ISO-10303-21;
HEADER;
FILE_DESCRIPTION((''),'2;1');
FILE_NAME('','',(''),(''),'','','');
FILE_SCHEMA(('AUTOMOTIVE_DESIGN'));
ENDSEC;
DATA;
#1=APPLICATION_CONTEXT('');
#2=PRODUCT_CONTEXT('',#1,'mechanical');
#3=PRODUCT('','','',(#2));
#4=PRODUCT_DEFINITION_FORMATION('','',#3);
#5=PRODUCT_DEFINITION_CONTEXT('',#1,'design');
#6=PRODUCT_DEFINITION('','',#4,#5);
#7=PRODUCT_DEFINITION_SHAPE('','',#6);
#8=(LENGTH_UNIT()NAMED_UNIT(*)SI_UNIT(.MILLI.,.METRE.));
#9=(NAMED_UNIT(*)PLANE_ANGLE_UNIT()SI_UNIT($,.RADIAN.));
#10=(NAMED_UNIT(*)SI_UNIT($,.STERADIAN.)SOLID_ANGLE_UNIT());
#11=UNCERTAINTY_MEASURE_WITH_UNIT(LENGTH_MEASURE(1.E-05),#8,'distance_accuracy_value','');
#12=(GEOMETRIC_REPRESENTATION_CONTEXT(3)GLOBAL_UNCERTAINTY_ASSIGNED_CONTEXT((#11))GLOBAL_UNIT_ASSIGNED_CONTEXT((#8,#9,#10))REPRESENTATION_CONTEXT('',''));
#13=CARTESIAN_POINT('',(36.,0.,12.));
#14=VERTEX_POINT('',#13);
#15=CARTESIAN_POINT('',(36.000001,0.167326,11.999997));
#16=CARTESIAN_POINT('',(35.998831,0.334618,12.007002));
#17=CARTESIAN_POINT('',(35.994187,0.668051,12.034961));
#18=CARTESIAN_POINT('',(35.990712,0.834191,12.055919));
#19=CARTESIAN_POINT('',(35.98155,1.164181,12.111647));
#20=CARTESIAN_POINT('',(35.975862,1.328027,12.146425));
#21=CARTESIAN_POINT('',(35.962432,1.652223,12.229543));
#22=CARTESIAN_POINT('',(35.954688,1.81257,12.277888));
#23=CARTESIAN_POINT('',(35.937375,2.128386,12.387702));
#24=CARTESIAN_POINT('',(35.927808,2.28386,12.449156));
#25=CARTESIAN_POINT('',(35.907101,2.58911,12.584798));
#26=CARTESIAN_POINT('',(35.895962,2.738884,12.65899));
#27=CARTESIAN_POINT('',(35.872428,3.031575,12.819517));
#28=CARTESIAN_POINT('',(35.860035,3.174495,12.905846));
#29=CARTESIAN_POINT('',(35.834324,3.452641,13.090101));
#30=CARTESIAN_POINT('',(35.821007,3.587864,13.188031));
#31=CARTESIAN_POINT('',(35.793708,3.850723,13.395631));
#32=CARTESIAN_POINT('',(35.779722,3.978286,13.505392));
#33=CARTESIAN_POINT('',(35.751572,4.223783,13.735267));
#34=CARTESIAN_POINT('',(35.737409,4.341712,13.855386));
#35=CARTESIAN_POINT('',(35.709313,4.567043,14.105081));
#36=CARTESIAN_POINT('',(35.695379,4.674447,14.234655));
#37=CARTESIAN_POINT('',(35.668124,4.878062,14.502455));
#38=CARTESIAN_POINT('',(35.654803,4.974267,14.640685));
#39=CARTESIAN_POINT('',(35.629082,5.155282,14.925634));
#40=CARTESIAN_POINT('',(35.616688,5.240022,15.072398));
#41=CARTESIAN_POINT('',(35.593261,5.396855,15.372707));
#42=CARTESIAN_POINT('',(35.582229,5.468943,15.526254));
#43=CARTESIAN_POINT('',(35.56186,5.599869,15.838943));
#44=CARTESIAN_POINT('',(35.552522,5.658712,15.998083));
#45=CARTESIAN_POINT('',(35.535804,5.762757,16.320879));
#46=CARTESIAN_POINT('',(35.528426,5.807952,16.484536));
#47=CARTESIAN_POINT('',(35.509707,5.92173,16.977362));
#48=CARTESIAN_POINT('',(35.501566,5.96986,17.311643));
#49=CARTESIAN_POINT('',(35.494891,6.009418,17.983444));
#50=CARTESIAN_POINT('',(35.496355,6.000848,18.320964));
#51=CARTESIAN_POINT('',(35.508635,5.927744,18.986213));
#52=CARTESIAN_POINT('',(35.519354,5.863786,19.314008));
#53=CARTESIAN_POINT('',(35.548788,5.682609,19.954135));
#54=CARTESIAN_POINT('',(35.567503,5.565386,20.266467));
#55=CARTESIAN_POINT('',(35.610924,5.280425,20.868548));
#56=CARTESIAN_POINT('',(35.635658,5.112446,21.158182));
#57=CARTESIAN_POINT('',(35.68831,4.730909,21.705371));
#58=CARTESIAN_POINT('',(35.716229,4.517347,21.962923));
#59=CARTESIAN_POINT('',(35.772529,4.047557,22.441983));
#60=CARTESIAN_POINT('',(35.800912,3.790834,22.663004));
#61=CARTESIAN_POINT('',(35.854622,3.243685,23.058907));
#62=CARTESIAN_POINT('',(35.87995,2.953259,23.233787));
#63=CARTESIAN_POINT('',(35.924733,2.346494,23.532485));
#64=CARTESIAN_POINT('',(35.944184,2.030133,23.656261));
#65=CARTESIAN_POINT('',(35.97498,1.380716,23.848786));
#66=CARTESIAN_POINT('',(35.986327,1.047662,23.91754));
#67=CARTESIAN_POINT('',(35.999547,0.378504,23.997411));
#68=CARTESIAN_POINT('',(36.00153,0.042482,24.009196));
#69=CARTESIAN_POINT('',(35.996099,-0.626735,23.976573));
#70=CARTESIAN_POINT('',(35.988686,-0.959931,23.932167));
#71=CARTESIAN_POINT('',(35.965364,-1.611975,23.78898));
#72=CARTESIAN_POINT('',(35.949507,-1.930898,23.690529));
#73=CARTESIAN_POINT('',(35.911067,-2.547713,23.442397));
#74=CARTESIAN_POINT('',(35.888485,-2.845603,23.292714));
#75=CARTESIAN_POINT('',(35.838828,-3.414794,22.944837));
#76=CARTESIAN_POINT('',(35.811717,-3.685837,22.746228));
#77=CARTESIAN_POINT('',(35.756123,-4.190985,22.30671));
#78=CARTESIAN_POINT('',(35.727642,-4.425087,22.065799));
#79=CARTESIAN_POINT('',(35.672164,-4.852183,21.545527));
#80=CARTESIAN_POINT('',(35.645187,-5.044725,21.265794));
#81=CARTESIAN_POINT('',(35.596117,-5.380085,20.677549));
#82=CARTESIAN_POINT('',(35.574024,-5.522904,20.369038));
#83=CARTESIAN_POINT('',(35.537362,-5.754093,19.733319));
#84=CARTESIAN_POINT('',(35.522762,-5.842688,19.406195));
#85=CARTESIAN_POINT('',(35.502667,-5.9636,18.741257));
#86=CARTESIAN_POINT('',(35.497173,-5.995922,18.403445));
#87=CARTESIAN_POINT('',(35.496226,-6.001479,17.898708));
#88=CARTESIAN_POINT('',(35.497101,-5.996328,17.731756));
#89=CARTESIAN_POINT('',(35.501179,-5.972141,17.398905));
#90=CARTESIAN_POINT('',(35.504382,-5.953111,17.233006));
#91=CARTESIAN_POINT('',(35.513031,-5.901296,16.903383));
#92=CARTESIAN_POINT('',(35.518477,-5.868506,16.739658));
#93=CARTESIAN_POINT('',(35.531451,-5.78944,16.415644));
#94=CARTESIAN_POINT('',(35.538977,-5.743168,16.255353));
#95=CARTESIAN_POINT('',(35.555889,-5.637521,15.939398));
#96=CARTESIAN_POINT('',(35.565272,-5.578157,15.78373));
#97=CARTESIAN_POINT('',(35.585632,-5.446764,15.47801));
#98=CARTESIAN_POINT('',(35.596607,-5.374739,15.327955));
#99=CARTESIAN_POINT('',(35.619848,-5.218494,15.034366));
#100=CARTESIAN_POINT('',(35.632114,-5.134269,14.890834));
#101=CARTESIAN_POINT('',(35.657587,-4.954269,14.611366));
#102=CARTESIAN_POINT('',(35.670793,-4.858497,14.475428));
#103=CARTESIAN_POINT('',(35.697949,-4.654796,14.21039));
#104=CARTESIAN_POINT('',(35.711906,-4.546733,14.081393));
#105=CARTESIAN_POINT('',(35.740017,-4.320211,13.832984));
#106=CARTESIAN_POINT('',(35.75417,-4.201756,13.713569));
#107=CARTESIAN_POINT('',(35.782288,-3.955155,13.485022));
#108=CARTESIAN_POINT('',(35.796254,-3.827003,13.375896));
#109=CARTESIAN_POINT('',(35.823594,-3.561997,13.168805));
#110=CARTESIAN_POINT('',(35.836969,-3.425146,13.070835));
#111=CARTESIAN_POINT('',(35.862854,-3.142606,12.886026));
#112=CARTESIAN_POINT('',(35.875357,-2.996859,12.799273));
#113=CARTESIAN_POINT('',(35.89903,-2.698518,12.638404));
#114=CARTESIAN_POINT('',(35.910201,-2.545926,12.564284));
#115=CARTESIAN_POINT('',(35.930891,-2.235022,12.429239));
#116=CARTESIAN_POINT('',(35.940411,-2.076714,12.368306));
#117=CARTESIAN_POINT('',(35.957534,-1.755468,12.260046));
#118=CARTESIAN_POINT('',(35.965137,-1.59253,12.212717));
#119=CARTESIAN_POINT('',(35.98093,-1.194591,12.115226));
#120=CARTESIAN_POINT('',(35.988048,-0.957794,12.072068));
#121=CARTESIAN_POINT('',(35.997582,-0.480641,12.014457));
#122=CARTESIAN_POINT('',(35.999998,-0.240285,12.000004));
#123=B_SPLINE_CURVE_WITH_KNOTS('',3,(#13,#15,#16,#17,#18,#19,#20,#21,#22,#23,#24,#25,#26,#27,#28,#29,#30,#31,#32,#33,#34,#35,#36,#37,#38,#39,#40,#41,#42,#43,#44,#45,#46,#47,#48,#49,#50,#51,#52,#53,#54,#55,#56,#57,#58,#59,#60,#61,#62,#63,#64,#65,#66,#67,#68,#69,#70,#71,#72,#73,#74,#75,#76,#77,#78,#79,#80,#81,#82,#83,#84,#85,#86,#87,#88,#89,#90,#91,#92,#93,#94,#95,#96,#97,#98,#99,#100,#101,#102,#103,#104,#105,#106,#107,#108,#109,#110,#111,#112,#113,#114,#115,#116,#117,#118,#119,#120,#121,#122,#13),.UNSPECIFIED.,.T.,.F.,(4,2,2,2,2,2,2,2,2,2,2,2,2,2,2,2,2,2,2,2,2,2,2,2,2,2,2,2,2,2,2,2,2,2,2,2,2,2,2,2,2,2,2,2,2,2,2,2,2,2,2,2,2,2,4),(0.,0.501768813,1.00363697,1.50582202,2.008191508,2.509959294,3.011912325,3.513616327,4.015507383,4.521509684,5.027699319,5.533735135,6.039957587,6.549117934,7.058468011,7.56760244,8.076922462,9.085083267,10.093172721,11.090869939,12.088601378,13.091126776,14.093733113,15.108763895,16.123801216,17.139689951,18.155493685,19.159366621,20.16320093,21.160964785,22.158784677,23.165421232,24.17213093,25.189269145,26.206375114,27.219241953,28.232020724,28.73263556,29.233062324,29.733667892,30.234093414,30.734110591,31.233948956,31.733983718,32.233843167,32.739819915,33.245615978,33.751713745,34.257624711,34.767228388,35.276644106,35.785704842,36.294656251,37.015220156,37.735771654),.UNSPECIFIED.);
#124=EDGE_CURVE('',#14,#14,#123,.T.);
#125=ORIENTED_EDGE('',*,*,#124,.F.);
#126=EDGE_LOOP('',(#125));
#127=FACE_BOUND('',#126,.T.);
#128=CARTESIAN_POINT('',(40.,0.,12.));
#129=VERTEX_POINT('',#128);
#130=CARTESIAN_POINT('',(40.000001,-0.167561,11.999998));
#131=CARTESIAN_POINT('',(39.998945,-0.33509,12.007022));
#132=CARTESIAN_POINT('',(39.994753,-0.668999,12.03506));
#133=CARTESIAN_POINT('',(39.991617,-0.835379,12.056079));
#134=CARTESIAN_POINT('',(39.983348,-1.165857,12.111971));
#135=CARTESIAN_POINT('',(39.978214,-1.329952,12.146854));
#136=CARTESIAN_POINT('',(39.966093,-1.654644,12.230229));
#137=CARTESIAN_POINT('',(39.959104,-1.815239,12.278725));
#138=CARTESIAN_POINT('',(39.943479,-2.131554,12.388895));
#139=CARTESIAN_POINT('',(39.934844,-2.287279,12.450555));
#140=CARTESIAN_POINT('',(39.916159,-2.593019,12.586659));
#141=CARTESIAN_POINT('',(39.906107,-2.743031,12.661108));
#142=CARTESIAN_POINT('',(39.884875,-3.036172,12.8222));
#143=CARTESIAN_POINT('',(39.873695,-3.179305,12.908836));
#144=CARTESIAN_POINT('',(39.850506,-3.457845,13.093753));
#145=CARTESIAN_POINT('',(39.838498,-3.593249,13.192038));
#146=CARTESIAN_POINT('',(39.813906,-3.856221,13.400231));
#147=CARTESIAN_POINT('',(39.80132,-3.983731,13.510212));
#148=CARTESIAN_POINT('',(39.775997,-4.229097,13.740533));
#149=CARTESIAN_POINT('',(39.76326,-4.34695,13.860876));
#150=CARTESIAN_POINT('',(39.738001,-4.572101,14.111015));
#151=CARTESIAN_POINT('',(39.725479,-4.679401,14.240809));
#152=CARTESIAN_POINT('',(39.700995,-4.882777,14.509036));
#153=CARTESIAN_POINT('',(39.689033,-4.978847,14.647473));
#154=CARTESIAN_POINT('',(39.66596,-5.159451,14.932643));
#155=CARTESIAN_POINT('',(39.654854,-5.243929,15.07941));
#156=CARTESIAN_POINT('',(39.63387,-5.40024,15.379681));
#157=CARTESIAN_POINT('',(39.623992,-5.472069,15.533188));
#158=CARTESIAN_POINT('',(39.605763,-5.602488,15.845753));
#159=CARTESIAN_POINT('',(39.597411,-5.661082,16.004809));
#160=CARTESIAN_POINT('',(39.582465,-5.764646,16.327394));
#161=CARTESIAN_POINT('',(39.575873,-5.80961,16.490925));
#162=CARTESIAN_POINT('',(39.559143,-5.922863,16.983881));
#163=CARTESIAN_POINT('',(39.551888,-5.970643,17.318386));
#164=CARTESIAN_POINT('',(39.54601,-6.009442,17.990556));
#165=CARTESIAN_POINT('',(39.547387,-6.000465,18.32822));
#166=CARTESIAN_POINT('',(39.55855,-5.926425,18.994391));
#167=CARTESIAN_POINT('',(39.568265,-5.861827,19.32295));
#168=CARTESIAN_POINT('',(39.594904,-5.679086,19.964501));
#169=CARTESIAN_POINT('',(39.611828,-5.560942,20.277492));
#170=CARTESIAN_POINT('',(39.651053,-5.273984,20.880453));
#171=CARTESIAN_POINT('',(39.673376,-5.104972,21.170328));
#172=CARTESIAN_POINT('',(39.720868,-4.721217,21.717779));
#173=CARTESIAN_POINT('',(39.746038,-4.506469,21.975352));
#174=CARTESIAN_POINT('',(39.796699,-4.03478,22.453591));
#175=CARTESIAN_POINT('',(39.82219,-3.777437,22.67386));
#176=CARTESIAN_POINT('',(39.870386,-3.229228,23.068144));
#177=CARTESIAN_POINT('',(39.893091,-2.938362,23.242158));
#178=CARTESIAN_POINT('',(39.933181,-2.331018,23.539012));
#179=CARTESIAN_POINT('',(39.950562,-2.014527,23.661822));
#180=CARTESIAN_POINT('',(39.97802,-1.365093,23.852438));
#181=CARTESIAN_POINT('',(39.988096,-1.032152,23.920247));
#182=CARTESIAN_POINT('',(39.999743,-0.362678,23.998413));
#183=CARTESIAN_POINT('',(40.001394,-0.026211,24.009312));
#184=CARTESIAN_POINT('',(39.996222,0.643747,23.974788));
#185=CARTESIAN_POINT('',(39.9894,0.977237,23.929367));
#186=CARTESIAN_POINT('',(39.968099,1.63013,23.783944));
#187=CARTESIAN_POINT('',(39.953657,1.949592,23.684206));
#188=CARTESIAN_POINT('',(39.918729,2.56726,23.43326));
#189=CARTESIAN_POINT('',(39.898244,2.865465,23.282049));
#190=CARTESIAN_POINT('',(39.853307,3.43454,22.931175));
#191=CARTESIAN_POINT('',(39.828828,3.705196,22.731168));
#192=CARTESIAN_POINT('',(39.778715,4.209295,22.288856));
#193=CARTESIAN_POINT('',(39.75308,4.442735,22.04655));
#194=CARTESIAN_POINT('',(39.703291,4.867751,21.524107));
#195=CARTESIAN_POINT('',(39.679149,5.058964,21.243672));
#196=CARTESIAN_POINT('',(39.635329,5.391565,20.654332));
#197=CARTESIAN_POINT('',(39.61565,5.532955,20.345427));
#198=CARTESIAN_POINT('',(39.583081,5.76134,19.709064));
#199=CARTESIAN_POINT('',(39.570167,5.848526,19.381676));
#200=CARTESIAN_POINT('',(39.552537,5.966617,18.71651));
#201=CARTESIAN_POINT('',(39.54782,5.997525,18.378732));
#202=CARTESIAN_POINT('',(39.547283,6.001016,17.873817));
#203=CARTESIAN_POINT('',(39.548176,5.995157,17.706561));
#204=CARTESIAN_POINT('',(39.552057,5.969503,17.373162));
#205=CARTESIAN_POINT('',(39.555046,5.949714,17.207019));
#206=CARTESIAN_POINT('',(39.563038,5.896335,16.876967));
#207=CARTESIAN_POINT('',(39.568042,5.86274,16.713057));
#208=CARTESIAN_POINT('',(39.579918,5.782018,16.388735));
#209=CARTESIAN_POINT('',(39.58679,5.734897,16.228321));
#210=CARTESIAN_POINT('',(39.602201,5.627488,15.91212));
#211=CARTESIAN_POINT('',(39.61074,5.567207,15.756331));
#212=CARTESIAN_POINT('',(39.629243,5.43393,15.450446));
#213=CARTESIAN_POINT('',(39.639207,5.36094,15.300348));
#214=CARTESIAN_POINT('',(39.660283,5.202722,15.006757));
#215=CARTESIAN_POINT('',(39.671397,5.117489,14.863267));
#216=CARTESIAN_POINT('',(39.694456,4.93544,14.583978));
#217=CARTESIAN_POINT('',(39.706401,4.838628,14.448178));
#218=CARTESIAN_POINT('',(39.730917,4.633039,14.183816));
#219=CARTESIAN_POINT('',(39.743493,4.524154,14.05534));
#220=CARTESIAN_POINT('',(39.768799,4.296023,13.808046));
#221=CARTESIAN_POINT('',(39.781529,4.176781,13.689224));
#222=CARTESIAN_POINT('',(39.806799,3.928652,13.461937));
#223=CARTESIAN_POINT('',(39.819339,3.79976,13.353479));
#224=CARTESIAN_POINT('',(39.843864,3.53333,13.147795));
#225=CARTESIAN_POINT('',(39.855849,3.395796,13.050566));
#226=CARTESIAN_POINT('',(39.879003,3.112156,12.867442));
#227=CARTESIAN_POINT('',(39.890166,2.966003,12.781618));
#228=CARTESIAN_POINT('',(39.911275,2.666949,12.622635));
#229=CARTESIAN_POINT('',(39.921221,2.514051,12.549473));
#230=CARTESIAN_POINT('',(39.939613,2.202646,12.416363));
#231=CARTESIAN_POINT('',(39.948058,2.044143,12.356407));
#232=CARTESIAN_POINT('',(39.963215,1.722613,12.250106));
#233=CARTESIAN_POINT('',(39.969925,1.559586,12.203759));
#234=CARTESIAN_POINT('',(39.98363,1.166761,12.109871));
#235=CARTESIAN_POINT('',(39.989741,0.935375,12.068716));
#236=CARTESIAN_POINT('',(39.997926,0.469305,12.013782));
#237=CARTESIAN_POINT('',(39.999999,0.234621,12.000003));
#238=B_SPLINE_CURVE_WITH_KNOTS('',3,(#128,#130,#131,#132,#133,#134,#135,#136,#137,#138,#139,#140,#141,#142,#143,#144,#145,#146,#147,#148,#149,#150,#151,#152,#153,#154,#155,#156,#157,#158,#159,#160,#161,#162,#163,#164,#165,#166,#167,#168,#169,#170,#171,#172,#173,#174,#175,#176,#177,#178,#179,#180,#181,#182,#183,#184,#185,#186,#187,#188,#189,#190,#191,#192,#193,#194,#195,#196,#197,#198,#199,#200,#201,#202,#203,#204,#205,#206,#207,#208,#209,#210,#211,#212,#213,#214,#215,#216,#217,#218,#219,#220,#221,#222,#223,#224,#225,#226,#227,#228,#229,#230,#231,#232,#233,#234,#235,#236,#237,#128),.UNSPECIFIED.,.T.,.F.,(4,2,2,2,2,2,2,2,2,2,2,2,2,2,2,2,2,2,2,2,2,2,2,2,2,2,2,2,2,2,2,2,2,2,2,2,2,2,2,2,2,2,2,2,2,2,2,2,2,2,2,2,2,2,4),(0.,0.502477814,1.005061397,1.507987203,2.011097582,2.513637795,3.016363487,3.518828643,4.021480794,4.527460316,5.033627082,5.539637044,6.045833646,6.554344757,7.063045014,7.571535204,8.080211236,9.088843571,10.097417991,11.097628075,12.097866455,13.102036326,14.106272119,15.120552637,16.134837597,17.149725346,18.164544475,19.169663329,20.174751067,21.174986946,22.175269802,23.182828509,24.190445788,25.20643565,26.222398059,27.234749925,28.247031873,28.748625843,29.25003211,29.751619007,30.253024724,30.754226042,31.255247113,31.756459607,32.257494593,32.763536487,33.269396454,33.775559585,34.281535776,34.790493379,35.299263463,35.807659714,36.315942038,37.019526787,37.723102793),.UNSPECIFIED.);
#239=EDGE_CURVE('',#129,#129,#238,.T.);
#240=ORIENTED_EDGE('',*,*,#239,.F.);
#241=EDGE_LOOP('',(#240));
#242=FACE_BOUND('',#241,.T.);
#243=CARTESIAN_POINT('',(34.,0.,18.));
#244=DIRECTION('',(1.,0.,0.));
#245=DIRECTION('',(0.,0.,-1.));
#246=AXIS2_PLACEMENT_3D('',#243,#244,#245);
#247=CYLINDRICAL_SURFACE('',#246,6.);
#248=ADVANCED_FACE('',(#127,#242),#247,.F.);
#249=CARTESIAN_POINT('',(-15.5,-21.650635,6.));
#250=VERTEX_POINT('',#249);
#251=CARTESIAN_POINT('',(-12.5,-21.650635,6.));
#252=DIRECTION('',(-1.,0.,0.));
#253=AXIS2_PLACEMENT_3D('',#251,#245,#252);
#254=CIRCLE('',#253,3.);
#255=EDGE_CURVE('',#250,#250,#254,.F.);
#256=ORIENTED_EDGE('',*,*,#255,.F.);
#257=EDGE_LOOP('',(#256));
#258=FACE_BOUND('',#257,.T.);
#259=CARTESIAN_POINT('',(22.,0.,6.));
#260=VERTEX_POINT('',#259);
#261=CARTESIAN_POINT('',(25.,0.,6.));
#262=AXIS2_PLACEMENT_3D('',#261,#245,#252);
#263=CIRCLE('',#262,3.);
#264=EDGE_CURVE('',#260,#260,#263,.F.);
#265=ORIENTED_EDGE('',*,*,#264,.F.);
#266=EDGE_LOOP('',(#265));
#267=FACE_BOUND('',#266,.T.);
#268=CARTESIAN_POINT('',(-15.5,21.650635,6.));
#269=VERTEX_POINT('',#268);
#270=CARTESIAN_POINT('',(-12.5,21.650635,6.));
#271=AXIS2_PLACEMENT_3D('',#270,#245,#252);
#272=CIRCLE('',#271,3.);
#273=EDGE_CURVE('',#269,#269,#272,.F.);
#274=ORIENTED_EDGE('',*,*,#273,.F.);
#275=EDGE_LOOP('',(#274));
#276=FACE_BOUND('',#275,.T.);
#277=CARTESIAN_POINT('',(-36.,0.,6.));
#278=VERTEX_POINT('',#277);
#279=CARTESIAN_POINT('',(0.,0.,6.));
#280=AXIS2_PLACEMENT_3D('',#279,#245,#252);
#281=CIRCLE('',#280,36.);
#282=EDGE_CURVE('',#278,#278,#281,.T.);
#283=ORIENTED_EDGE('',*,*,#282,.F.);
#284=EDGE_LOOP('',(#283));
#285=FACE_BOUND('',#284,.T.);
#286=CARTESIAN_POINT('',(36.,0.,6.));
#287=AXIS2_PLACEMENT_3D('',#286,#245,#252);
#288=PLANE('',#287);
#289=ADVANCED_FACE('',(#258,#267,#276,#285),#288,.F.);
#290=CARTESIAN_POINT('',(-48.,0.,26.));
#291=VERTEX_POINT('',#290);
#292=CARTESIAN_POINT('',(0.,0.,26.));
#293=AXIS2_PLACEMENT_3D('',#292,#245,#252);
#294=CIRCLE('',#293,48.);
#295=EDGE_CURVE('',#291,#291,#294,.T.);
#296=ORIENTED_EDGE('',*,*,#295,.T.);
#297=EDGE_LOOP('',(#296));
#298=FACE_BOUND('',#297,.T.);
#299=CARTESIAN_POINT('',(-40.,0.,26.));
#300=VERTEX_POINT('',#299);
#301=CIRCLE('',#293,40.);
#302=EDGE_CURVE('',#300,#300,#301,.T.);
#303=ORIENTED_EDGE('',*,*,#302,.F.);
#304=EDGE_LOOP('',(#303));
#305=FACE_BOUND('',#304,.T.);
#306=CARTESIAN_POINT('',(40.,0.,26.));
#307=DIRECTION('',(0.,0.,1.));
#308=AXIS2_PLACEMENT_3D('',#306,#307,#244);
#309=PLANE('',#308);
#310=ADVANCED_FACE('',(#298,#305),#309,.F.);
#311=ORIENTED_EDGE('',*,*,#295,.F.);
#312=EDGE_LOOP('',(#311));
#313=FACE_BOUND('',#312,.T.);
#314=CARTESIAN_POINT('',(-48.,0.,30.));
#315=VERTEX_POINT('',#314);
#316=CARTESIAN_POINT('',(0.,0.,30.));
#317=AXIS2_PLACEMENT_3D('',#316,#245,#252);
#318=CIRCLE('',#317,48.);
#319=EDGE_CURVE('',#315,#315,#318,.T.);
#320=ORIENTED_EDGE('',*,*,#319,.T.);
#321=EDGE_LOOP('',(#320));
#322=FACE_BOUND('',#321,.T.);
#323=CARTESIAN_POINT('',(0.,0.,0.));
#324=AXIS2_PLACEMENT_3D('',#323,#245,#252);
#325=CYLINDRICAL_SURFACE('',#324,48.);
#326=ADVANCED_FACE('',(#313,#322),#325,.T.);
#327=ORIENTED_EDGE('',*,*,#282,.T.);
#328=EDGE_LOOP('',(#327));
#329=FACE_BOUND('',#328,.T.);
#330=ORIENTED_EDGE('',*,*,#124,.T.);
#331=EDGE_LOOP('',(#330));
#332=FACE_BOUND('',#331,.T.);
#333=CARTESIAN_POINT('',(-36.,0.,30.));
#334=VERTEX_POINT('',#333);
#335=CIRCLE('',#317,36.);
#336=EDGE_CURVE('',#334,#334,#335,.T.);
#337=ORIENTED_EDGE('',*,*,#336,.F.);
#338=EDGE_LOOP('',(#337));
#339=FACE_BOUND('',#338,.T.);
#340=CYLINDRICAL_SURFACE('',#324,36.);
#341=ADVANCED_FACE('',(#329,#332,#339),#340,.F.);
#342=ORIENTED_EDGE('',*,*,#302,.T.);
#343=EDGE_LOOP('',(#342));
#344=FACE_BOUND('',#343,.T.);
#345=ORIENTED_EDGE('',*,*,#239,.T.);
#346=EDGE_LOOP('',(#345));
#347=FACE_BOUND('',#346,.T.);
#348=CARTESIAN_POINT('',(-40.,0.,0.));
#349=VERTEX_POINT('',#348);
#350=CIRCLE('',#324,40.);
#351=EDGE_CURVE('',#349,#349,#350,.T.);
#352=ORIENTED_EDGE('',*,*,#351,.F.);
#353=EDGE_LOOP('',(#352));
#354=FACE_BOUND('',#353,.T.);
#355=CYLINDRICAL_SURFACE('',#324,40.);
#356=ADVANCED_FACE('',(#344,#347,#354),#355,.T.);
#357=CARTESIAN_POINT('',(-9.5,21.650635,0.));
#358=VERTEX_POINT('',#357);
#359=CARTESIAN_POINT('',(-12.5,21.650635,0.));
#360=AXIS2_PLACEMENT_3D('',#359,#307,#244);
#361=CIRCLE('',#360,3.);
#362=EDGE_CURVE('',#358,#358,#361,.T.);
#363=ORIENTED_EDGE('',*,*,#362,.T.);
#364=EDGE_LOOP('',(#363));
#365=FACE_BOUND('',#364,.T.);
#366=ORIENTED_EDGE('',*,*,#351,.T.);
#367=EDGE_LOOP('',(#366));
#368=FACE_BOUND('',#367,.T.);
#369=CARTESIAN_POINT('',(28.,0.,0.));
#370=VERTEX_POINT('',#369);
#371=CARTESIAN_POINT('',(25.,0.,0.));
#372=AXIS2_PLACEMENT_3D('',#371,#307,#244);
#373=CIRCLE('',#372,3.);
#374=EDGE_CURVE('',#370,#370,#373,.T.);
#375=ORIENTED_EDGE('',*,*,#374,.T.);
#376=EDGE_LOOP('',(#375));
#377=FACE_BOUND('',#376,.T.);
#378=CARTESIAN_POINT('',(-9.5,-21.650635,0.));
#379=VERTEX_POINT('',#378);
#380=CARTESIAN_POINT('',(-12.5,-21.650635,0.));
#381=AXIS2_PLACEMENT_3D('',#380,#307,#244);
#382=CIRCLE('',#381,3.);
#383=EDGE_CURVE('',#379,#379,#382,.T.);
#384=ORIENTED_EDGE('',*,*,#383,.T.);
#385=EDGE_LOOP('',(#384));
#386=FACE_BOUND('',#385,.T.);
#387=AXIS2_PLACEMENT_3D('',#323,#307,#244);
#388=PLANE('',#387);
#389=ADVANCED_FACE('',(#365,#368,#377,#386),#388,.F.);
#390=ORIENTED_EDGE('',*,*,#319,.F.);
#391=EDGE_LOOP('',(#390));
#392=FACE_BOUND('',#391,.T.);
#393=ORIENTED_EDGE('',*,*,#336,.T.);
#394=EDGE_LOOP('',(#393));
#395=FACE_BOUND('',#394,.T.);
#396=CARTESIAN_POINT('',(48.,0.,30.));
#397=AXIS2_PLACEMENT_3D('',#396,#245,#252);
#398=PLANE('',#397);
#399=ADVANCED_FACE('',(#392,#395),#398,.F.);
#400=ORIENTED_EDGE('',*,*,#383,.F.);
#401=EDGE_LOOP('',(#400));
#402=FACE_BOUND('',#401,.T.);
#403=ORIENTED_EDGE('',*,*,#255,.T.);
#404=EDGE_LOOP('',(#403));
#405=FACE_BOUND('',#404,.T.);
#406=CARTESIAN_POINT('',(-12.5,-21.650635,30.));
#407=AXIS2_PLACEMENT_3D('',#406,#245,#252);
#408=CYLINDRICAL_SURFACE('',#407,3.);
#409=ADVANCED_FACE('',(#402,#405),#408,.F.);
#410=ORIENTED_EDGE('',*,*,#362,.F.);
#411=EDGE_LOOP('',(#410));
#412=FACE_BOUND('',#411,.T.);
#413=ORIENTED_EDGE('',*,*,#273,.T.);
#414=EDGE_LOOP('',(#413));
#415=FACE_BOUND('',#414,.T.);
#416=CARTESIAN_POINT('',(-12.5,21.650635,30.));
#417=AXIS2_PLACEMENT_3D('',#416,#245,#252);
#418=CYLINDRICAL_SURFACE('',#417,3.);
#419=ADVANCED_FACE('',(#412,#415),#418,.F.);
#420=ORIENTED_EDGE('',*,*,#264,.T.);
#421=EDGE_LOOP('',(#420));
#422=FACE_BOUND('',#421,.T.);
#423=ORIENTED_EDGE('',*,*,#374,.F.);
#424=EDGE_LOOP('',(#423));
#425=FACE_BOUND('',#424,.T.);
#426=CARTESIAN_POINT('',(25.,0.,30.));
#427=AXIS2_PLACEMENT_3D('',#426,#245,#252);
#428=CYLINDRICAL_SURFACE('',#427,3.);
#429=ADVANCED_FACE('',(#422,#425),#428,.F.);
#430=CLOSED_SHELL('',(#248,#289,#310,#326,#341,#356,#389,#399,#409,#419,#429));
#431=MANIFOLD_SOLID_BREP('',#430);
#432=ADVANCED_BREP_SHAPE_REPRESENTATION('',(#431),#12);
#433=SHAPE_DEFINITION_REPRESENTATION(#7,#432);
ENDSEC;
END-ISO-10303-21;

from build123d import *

# Parameters (mm, degrees)
SKETCH_3_R          = 3
CUT_EXTRUDE_1_DEPTH = 75.215901261
SKETCH_4_R          = 6
CUT_EXTRUDE_2_DEPTH = 6


with BuildPart() as part:
    # 草图2 → 旋转2 (revolve)
    with BuildSketch(Plane(origin=(0, 0, 0), x_dir=(1, 0, 0), z_dir=(0, 1, 0)), mode=Mode.PRIVATE) as revolve_2_sk:
        Polygon((0, 0), (40, 0), (40, -26), (48, -26), (48, -30), (36, -30), (36, -6), (0, -6), align=None)
    revolve(revolve_2_sk.sketch.rotate(Axis((0, 0, 0), (0, 0, 1)), 180), axis=Axis((0, 0, 0), (0, 0, 1)))

    # 草图3 → 切除-拉伸1 (cut, through all)
    with BuildSketch(Plane.XY):
        with Locations(Location((25, 0, 0), (0, 0, 180))):
            Circle(SKETCH_3_R)
        with Locations(Location((-12.5, 21.650635, 0), (0, 0, 180))):
            Circle(SKETCH_3_R)
        with Locations(Location((-12.5, -21.650635, 0), (0, 0, 180))):
            Circle(SKETCH_3_R)
    extrude(amount=CUT_EXTRUDE_1_DEPTH, mode=Mode.SUBTRACT)

    # 草图4 → 切除-拉伸2 (cut)
    with BuildSketch(Plane(origin=(40, 0, 0), x_dir=(0, 0, -1), z_dir=(1, 0, 0))):
        with Locations((-18, 0)):
            Circle(SKETCH_4_R)
    extrude(amount=-CUT_EXTRUDE_2_DEPTH, mode=Mode.SUBTRACT)


solid = part.part
